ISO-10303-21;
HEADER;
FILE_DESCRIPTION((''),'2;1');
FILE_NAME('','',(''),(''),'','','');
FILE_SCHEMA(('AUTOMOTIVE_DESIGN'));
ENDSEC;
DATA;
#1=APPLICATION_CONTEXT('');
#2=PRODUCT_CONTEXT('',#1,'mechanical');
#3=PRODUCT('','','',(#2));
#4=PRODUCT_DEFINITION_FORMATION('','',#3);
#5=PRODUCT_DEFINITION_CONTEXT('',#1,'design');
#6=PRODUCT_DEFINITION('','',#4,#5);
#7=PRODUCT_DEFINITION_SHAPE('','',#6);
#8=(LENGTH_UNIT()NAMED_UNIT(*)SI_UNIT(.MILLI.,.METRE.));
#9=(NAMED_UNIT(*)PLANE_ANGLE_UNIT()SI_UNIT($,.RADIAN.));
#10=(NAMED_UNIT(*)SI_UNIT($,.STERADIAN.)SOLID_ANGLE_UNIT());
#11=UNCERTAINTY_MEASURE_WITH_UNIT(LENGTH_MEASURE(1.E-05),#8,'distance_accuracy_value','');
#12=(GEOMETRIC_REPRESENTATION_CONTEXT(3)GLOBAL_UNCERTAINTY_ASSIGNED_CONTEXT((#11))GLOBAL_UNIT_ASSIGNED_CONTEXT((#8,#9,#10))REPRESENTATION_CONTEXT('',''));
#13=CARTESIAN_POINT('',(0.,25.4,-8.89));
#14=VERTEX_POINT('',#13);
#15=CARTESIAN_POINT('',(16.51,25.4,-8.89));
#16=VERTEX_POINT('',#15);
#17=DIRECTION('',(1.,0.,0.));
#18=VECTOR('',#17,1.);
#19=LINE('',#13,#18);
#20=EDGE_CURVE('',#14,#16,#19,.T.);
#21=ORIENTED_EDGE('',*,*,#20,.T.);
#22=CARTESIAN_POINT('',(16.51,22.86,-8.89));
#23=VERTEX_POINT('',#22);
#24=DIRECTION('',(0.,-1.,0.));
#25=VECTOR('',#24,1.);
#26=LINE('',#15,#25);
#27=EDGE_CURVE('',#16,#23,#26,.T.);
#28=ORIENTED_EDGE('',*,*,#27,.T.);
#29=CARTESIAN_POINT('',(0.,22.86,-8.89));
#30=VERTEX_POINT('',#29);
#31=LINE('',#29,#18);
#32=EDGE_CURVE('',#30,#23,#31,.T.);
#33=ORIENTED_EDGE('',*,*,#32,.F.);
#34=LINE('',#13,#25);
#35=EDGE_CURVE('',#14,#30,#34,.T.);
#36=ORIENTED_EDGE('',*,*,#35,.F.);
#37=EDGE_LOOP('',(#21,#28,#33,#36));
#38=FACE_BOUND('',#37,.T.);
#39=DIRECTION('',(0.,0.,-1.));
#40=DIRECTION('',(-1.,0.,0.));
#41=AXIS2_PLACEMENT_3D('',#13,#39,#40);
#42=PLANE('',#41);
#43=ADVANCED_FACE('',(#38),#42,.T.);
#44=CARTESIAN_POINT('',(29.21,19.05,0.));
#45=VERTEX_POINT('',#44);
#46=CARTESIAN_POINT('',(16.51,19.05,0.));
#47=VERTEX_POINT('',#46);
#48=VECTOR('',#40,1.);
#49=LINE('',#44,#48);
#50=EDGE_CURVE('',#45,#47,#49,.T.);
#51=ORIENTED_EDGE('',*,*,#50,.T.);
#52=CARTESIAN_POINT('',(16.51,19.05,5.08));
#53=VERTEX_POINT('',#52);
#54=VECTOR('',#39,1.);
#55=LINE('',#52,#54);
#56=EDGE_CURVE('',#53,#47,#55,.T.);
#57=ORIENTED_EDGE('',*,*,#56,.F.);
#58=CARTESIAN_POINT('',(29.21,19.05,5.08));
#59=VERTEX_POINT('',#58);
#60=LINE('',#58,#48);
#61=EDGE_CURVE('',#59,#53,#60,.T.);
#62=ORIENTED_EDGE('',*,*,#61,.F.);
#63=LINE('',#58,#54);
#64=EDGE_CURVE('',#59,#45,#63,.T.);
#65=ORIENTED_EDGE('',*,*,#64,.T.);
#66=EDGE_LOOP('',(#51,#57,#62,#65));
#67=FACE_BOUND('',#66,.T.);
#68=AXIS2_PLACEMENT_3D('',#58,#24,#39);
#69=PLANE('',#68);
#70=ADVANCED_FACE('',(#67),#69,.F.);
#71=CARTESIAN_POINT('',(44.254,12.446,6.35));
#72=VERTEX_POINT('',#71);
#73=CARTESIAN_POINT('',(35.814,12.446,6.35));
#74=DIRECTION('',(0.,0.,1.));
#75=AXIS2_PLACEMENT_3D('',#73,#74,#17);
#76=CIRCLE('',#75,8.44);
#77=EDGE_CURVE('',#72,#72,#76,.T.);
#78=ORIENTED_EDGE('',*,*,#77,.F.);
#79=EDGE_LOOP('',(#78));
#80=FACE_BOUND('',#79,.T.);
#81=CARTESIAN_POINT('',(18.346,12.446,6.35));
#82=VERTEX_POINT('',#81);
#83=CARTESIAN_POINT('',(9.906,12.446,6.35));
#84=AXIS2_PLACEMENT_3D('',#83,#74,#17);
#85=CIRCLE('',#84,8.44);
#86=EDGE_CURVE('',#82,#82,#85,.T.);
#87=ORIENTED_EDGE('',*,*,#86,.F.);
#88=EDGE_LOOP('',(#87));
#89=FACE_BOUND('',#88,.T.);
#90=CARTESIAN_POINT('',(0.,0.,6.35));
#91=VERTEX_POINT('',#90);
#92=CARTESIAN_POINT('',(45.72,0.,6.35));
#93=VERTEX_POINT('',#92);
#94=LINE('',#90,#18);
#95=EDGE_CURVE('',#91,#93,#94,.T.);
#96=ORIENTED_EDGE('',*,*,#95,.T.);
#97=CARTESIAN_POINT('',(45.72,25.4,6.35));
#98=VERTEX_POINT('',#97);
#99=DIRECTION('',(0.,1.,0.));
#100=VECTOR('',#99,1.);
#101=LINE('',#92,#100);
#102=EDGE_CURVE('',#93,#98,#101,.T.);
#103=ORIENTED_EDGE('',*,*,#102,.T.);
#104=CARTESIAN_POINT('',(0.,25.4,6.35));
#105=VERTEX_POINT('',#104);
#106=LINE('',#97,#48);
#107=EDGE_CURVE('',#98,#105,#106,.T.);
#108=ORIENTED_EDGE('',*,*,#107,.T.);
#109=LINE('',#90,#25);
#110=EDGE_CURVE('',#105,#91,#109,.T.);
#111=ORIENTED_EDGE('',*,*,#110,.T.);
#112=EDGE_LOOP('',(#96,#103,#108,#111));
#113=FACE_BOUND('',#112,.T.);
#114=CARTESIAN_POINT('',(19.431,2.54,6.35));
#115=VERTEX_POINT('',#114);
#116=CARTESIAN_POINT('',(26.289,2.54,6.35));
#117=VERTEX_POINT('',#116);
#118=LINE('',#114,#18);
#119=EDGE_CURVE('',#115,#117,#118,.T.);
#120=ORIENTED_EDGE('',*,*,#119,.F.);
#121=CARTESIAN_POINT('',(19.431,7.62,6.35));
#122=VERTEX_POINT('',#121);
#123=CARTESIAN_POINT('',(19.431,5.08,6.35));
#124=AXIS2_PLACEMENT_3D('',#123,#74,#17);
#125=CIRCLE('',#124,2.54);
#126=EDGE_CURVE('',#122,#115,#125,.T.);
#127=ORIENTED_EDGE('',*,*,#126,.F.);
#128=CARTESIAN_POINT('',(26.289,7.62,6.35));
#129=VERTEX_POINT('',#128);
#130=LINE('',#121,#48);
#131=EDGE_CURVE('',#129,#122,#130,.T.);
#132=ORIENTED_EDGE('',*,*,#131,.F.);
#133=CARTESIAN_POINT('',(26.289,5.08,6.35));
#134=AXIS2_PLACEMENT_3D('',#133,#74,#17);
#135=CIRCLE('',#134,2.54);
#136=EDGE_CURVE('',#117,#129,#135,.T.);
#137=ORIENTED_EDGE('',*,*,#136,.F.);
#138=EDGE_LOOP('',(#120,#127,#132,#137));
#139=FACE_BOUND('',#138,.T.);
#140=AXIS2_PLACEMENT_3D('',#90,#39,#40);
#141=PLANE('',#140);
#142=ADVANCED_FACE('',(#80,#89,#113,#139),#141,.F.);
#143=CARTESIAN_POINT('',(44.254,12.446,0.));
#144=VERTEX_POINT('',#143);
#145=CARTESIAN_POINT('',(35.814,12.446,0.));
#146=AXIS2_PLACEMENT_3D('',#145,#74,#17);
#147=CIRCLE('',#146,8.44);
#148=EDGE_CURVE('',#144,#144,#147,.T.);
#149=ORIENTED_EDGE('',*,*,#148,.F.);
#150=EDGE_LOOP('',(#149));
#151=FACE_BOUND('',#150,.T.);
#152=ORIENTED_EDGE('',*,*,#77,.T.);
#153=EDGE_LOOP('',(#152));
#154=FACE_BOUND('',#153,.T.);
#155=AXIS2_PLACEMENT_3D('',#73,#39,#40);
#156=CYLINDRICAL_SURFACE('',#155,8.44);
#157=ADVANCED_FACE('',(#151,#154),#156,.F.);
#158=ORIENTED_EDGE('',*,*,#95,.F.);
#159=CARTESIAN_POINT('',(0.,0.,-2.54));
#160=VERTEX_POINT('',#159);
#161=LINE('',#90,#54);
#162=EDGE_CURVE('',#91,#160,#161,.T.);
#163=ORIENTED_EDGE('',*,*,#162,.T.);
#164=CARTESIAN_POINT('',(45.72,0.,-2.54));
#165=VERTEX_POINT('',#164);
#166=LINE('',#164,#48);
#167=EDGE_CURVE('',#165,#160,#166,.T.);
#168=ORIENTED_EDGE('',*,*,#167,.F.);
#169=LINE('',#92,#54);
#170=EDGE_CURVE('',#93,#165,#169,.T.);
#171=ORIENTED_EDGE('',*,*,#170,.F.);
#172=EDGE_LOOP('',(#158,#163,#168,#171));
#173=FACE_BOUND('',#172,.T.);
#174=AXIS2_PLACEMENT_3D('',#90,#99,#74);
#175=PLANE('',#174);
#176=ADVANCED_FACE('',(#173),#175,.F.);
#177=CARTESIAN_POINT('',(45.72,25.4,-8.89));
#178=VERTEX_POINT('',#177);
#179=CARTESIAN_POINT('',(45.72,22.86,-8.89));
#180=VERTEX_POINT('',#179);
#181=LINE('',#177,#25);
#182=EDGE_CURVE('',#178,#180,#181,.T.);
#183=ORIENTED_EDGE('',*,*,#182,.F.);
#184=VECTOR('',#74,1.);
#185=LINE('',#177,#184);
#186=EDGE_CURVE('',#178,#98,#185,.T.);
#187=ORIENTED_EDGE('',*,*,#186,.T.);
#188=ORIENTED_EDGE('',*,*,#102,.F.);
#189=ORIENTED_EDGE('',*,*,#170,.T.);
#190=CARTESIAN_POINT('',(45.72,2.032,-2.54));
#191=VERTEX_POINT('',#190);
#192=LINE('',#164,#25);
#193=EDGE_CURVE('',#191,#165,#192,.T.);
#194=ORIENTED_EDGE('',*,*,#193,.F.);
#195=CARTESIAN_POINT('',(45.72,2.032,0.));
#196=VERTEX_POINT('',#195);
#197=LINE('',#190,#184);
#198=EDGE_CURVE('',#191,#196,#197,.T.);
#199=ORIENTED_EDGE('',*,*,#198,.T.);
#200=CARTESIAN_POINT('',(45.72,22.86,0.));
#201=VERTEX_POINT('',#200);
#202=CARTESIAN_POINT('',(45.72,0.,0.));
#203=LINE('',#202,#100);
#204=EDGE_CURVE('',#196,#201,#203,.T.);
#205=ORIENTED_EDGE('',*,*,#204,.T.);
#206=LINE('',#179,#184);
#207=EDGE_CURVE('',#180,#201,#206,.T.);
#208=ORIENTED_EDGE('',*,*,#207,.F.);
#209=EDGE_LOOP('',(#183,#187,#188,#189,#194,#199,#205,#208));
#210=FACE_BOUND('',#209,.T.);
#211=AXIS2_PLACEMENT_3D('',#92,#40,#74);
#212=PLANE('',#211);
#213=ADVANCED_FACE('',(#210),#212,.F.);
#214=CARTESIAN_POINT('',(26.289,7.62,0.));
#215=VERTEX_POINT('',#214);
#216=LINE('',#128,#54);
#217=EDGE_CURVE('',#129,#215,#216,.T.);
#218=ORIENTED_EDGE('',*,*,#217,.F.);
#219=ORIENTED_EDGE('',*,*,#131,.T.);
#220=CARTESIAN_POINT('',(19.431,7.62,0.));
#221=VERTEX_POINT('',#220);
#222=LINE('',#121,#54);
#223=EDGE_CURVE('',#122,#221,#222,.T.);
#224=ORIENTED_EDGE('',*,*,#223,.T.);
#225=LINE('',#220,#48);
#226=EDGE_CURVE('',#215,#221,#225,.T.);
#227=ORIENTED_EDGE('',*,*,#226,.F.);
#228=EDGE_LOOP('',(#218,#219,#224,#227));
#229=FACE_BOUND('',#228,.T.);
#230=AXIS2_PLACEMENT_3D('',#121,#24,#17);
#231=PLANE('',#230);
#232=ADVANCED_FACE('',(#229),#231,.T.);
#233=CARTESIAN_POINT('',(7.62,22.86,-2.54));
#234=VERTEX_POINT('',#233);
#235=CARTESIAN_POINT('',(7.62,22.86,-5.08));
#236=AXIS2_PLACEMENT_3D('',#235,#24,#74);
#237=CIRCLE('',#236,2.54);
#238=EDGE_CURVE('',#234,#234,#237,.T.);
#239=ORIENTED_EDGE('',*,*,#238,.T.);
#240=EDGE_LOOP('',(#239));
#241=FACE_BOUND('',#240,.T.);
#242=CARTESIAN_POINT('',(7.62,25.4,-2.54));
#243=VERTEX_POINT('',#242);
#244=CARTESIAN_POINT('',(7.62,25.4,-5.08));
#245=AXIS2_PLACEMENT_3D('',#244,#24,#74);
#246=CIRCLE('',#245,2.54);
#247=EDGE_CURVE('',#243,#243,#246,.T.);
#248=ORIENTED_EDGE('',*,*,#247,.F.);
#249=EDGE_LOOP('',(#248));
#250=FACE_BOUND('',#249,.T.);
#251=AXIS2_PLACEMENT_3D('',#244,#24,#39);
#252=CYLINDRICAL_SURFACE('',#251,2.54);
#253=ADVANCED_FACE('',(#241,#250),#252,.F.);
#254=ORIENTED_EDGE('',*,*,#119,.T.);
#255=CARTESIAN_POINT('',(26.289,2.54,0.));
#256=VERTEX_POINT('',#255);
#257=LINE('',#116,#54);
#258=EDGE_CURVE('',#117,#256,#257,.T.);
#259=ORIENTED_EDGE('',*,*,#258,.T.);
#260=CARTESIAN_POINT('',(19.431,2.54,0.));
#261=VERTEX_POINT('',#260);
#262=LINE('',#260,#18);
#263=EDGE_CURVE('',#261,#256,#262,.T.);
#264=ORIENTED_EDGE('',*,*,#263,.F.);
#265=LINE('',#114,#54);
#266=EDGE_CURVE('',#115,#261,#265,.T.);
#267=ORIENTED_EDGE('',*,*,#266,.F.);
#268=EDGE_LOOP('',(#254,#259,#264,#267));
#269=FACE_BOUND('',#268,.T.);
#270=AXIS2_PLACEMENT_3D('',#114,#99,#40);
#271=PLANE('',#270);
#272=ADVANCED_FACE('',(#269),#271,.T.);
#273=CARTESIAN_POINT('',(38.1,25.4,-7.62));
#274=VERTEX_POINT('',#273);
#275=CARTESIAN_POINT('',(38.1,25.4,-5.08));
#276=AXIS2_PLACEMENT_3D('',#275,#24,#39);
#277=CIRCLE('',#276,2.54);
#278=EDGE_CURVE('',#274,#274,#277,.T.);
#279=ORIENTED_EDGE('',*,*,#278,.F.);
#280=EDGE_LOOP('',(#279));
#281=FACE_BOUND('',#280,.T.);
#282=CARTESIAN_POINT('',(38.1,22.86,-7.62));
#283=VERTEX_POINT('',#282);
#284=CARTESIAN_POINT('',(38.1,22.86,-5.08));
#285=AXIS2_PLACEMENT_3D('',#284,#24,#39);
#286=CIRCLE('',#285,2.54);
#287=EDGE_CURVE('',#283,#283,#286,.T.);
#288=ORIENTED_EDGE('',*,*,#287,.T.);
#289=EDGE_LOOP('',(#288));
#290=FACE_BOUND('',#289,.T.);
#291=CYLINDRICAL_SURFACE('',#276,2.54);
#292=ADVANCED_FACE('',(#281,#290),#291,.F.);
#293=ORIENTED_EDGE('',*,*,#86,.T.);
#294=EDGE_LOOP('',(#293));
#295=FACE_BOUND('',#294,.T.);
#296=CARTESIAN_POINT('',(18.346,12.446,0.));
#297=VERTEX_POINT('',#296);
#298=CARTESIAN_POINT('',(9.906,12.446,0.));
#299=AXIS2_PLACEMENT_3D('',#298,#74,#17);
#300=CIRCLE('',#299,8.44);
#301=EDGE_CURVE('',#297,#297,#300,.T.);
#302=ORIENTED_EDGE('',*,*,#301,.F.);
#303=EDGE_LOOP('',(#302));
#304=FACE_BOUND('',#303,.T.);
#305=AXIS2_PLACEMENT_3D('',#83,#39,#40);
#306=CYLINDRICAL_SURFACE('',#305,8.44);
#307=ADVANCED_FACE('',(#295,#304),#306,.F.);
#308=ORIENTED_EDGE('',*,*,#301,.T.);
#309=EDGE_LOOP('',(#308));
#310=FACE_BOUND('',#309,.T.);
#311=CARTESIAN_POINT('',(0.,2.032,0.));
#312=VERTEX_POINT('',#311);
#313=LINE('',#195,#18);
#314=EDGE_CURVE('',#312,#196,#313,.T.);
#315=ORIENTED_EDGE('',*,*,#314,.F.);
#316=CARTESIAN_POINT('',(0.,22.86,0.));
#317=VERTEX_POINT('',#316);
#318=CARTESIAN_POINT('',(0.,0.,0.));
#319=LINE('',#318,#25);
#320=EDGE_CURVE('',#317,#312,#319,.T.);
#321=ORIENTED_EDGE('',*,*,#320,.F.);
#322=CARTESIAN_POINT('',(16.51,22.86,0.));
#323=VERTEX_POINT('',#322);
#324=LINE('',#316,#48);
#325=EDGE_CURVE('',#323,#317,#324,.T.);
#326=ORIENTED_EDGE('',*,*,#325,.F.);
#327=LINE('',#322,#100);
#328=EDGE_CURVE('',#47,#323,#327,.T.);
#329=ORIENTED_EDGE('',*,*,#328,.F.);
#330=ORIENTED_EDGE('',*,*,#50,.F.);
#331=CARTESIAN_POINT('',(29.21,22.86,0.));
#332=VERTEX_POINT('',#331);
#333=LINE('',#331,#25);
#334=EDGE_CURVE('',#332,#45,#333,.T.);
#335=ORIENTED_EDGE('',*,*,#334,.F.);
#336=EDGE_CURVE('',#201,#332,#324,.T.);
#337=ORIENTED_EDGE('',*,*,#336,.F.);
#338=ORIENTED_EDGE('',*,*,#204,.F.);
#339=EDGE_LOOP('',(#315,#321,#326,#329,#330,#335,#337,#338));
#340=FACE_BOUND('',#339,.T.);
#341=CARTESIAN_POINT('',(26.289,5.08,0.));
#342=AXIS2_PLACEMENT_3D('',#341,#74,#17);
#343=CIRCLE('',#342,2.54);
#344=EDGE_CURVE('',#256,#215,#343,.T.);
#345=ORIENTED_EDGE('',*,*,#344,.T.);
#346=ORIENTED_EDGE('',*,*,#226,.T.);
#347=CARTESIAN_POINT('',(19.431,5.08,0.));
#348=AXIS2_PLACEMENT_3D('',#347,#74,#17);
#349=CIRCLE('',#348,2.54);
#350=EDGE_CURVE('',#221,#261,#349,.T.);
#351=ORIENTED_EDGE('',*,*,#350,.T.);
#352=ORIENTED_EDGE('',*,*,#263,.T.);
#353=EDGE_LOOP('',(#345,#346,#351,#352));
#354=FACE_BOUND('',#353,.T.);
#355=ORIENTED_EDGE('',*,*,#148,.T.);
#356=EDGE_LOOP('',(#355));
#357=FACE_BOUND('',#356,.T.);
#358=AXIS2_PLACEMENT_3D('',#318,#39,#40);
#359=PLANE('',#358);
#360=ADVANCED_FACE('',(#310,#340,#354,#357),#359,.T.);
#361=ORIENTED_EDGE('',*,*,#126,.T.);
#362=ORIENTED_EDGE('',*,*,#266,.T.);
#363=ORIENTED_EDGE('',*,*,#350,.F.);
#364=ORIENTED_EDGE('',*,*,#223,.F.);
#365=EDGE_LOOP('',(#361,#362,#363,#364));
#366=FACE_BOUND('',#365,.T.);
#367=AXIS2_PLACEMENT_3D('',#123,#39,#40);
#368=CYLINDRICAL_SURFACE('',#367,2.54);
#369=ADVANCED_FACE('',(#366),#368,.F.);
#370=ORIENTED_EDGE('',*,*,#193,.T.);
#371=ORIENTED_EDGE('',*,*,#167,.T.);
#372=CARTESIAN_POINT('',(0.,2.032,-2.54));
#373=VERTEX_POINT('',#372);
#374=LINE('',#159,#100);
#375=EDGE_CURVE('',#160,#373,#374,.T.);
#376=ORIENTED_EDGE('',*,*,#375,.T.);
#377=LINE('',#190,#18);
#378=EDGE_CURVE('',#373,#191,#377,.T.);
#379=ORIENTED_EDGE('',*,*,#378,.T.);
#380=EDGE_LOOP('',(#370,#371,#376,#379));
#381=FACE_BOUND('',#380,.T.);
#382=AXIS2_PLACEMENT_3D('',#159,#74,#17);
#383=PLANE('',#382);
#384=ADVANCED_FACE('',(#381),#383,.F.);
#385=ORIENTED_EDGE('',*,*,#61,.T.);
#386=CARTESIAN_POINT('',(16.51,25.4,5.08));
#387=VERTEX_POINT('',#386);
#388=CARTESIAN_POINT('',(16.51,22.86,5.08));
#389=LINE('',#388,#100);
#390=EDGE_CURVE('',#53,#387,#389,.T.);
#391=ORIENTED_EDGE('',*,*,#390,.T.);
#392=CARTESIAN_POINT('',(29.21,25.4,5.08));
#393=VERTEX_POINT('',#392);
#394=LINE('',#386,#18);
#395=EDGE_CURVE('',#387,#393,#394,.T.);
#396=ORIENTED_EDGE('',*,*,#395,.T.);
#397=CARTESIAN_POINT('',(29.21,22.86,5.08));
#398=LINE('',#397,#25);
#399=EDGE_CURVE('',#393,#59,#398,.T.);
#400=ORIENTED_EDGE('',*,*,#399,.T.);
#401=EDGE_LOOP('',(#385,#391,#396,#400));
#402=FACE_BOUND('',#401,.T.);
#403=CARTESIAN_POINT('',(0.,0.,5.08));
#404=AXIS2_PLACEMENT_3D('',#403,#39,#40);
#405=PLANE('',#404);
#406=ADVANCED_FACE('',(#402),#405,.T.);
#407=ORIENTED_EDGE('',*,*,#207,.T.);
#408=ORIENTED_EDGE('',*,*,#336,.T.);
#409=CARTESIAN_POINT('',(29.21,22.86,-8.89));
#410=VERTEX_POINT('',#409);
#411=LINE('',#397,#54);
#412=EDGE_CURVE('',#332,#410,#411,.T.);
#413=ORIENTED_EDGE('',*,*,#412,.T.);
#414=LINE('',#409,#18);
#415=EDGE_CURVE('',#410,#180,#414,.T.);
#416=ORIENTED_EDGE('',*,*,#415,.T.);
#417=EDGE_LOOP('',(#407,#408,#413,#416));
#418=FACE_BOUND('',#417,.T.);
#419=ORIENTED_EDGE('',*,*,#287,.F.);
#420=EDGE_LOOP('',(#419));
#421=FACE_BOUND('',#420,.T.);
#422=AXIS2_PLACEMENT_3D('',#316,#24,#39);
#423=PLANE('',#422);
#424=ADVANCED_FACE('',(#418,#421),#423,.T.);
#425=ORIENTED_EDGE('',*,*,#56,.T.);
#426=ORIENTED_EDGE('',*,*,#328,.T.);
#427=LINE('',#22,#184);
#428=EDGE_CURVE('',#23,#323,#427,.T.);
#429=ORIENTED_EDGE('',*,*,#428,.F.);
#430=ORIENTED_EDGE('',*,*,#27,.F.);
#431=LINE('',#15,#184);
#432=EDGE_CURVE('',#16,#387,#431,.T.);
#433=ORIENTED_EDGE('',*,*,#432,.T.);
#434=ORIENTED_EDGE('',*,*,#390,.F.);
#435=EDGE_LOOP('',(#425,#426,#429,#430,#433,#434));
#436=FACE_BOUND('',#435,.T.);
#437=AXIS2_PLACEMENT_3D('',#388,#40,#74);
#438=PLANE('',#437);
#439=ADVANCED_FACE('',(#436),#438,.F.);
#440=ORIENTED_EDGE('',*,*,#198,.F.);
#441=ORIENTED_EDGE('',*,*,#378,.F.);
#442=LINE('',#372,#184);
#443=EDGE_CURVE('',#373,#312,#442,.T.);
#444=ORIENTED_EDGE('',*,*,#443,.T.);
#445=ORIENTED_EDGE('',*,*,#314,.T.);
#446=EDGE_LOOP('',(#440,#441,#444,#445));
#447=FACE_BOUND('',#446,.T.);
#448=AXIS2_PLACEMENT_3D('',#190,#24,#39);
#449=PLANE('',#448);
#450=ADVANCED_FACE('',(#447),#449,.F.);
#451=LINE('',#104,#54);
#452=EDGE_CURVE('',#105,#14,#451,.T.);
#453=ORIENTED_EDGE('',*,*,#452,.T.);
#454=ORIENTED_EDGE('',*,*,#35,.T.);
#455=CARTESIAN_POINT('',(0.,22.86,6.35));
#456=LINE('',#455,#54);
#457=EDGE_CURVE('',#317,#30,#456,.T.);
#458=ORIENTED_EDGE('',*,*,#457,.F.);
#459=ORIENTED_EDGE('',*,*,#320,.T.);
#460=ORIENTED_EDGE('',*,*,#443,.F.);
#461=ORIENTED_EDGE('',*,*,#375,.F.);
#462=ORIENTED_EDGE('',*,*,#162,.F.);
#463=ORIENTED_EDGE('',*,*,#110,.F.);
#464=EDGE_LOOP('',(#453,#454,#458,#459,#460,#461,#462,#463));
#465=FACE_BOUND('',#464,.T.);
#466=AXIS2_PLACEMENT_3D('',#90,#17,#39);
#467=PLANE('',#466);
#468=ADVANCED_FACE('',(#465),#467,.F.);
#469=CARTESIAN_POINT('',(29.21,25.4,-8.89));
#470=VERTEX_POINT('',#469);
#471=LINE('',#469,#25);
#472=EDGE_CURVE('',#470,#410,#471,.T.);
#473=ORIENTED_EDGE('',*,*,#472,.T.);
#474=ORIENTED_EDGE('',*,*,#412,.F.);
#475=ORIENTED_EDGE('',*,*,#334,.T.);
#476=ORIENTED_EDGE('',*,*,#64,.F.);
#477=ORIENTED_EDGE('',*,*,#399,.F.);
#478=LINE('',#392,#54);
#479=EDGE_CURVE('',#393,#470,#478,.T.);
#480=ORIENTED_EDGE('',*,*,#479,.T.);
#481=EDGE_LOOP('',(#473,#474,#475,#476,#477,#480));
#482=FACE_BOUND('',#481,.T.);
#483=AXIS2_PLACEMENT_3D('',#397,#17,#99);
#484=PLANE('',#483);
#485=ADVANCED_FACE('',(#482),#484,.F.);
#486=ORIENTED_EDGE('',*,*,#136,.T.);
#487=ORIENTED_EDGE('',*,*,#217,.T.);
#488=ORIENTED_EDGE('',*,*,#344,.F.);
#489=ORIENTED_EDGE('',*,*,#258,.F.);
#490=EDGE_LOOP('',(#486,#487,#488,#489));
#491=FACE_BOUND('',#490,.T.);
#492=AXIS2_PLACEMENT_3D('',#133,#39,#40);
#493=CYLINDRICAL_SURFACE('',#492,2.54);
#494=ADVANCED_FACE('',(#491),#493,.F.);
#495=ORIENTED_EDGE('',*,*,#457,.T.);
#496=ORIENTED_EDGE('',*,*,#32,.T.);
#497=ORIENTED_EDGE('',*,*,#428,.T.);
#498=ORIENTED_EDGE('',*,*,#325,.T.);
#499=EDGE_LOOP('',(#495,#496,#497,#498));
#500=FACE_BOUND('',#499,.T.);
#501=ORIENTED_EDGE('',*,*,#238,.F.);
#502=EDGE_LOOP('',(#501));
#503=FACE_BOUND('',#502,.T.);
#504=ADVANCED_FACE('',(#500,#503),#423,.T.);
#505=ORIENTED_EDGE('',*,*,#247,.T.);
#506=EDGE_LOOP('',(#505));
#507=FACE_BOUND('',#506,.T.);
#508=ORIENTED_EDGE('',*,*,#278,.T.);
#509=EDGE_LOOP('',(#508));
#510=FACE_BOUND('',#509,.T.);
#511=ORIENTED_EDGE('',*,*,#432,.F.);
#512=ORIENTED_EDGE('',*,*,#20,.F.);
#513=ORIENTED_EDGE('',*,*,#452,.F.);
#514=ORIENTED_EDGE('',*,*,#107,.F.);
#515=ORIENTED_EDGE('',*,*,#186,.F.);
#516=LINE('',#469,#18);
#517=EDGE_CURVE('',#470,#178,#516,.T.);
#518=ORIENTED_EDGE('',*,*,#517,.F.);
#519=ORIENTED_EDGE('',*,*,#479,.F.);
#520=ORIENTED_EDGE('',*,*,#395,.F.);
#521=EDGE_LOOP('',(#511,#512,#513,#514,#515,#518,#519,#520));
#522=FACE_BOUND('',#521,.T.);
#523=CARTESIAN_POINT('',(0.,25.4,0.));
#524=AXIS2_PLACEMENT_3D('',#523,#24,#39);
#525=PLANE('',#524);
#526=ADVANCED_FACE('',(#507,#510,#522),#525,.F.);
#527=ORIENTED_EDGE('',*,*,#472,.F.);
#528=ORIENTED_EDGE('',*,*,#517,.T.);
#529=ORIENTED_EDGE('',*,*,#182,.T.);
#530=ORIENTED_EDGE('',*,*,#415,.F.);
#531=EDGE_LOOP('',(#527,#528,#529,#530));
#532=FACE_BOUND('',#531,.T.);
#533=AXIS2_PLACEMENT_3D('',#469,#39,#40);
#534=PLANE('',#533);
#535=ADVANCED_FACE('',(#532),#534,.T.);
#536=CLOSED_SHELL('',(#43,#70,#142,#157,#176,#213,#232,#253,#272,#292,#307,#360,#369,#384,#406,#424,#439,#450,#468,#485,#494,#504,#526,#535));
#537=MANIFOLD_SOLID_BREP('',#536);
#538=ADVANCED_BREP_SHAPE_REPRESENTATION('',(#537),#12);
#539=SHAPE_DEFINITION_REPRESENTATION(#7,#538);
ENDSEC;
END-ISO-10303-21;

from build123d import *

# Parameters (mm, degrees)
SKETCH1_W           = 45.72
SKETCH1_H           = 22.86
SKETCH1_R           = 8.44
BOSS_EXTRUDE1_DEPTH = 6.35
SKETCH2_W           = 12.7
SKETCH2_H           = 3.81
CUT_EXTRUDE1_DEPTH  = 5.08
BOSS_EXTRUDE2_DEPTH = 2.54
SKETCH4_W           = 45.72
SKETCH4_H           = 2.032
BOSS_EXTRUDE3_DEPTH = 2.54
SKETCH5_R           = 2.54
CUT_EXTRUDE2_DEPTH  = 52.883813468


with BuildPart() as part:
    # Sketch1 → Boss-Extrude1 (new body)
    with BuildSketch(Plane.XY):
        with Locations((22.86, 11.43)):
            Rectangle(SKETCH1_W, SKETCH1_H)
        with Locations((9.906, 12.446)):
            Circle(SKETCH1_R, mode=Mode.SUBTRACT)
        with Locations((35.814, 12.446)):
            Circle(SKETCH1_R, mode=Mode.SUBTRACT)
        with BuildLine():
            Line((19.431, 7.62), (26.289, 7.62))
            ThreePointArc((26.289, 7.62), (28.829, 5.08), (26.289, 2.54))
            Line((26.289, 2.54), (19.431, 2.54))
            ThreePointArc((19.431, 2.54), (16.891, 5.08), (19.431, 7.62))
        make_face(mode=Mode.SUBTRACT)
    extrude(amount=BOSS_EXTRUDE1_DEPTH)

    # Sketch2 → Cut-Extrude1 (cut)
    with BuildSketch(Plane(origin=(0, 0, 0), x_dir=(-1, 0, 0), z_dir=(0, 0, -1))):
        with Locations((-22.86, 20.955)):
            Rectangle(SKETCH2_W, SKETCH2_H)
    extrude(amount=-CUT_EXTRUDE1_DEPTH, mode=Mode.SUBTRACT)

    # Sketch3 → Boss-Extrude2 (add)
    with BuildSketch(Plane(origin=(0, 22.86, 0), x_dir=(1, 0, 0), z_dir=(0, 1, 0))):
        Polygon((0, -6.35), (0, 8.89), (16.51, 8.89), (16.51, -5.08), (29.21, -5.08), (29.21, 8.89), (45.72, 8.89), (45.72, -6.35), align=None)
    extrude(amount=BOSS_EXTRUDE2_DEPTH)

    # Sketch4 → Boss-Extrude3 (add)
    with BuildSketch(Plane(origin=(0, 0, 0), x_dir=(-1, 0, 0), z_dir=(0, 0, -1))):
        with Locations((-22.86, 1.016)):
            Rectangle(SKETCH4_W, SKETCH4_H)
    extrude(amount=BOSS_EXTRUDE3_DEPTH)

    # Sketch5 → Cut-Extrude2 (cut, through all)
    with BuildSketch(Plane.XZ.offset(-22.86)):
        with Locations(Location((38.1, -5.08, 0), (0, 0, 270))):
            Circle(SKETCH5_R)
        with Locations(Location((7.62, -5.08, 0), (0, 0, 90))):
            Circle(SKETCH5_R)
    extrude(amount=-CUT_EXTRUDE2_DEPTH, mode=Mode.SUBTRACT)


solid = part.part
